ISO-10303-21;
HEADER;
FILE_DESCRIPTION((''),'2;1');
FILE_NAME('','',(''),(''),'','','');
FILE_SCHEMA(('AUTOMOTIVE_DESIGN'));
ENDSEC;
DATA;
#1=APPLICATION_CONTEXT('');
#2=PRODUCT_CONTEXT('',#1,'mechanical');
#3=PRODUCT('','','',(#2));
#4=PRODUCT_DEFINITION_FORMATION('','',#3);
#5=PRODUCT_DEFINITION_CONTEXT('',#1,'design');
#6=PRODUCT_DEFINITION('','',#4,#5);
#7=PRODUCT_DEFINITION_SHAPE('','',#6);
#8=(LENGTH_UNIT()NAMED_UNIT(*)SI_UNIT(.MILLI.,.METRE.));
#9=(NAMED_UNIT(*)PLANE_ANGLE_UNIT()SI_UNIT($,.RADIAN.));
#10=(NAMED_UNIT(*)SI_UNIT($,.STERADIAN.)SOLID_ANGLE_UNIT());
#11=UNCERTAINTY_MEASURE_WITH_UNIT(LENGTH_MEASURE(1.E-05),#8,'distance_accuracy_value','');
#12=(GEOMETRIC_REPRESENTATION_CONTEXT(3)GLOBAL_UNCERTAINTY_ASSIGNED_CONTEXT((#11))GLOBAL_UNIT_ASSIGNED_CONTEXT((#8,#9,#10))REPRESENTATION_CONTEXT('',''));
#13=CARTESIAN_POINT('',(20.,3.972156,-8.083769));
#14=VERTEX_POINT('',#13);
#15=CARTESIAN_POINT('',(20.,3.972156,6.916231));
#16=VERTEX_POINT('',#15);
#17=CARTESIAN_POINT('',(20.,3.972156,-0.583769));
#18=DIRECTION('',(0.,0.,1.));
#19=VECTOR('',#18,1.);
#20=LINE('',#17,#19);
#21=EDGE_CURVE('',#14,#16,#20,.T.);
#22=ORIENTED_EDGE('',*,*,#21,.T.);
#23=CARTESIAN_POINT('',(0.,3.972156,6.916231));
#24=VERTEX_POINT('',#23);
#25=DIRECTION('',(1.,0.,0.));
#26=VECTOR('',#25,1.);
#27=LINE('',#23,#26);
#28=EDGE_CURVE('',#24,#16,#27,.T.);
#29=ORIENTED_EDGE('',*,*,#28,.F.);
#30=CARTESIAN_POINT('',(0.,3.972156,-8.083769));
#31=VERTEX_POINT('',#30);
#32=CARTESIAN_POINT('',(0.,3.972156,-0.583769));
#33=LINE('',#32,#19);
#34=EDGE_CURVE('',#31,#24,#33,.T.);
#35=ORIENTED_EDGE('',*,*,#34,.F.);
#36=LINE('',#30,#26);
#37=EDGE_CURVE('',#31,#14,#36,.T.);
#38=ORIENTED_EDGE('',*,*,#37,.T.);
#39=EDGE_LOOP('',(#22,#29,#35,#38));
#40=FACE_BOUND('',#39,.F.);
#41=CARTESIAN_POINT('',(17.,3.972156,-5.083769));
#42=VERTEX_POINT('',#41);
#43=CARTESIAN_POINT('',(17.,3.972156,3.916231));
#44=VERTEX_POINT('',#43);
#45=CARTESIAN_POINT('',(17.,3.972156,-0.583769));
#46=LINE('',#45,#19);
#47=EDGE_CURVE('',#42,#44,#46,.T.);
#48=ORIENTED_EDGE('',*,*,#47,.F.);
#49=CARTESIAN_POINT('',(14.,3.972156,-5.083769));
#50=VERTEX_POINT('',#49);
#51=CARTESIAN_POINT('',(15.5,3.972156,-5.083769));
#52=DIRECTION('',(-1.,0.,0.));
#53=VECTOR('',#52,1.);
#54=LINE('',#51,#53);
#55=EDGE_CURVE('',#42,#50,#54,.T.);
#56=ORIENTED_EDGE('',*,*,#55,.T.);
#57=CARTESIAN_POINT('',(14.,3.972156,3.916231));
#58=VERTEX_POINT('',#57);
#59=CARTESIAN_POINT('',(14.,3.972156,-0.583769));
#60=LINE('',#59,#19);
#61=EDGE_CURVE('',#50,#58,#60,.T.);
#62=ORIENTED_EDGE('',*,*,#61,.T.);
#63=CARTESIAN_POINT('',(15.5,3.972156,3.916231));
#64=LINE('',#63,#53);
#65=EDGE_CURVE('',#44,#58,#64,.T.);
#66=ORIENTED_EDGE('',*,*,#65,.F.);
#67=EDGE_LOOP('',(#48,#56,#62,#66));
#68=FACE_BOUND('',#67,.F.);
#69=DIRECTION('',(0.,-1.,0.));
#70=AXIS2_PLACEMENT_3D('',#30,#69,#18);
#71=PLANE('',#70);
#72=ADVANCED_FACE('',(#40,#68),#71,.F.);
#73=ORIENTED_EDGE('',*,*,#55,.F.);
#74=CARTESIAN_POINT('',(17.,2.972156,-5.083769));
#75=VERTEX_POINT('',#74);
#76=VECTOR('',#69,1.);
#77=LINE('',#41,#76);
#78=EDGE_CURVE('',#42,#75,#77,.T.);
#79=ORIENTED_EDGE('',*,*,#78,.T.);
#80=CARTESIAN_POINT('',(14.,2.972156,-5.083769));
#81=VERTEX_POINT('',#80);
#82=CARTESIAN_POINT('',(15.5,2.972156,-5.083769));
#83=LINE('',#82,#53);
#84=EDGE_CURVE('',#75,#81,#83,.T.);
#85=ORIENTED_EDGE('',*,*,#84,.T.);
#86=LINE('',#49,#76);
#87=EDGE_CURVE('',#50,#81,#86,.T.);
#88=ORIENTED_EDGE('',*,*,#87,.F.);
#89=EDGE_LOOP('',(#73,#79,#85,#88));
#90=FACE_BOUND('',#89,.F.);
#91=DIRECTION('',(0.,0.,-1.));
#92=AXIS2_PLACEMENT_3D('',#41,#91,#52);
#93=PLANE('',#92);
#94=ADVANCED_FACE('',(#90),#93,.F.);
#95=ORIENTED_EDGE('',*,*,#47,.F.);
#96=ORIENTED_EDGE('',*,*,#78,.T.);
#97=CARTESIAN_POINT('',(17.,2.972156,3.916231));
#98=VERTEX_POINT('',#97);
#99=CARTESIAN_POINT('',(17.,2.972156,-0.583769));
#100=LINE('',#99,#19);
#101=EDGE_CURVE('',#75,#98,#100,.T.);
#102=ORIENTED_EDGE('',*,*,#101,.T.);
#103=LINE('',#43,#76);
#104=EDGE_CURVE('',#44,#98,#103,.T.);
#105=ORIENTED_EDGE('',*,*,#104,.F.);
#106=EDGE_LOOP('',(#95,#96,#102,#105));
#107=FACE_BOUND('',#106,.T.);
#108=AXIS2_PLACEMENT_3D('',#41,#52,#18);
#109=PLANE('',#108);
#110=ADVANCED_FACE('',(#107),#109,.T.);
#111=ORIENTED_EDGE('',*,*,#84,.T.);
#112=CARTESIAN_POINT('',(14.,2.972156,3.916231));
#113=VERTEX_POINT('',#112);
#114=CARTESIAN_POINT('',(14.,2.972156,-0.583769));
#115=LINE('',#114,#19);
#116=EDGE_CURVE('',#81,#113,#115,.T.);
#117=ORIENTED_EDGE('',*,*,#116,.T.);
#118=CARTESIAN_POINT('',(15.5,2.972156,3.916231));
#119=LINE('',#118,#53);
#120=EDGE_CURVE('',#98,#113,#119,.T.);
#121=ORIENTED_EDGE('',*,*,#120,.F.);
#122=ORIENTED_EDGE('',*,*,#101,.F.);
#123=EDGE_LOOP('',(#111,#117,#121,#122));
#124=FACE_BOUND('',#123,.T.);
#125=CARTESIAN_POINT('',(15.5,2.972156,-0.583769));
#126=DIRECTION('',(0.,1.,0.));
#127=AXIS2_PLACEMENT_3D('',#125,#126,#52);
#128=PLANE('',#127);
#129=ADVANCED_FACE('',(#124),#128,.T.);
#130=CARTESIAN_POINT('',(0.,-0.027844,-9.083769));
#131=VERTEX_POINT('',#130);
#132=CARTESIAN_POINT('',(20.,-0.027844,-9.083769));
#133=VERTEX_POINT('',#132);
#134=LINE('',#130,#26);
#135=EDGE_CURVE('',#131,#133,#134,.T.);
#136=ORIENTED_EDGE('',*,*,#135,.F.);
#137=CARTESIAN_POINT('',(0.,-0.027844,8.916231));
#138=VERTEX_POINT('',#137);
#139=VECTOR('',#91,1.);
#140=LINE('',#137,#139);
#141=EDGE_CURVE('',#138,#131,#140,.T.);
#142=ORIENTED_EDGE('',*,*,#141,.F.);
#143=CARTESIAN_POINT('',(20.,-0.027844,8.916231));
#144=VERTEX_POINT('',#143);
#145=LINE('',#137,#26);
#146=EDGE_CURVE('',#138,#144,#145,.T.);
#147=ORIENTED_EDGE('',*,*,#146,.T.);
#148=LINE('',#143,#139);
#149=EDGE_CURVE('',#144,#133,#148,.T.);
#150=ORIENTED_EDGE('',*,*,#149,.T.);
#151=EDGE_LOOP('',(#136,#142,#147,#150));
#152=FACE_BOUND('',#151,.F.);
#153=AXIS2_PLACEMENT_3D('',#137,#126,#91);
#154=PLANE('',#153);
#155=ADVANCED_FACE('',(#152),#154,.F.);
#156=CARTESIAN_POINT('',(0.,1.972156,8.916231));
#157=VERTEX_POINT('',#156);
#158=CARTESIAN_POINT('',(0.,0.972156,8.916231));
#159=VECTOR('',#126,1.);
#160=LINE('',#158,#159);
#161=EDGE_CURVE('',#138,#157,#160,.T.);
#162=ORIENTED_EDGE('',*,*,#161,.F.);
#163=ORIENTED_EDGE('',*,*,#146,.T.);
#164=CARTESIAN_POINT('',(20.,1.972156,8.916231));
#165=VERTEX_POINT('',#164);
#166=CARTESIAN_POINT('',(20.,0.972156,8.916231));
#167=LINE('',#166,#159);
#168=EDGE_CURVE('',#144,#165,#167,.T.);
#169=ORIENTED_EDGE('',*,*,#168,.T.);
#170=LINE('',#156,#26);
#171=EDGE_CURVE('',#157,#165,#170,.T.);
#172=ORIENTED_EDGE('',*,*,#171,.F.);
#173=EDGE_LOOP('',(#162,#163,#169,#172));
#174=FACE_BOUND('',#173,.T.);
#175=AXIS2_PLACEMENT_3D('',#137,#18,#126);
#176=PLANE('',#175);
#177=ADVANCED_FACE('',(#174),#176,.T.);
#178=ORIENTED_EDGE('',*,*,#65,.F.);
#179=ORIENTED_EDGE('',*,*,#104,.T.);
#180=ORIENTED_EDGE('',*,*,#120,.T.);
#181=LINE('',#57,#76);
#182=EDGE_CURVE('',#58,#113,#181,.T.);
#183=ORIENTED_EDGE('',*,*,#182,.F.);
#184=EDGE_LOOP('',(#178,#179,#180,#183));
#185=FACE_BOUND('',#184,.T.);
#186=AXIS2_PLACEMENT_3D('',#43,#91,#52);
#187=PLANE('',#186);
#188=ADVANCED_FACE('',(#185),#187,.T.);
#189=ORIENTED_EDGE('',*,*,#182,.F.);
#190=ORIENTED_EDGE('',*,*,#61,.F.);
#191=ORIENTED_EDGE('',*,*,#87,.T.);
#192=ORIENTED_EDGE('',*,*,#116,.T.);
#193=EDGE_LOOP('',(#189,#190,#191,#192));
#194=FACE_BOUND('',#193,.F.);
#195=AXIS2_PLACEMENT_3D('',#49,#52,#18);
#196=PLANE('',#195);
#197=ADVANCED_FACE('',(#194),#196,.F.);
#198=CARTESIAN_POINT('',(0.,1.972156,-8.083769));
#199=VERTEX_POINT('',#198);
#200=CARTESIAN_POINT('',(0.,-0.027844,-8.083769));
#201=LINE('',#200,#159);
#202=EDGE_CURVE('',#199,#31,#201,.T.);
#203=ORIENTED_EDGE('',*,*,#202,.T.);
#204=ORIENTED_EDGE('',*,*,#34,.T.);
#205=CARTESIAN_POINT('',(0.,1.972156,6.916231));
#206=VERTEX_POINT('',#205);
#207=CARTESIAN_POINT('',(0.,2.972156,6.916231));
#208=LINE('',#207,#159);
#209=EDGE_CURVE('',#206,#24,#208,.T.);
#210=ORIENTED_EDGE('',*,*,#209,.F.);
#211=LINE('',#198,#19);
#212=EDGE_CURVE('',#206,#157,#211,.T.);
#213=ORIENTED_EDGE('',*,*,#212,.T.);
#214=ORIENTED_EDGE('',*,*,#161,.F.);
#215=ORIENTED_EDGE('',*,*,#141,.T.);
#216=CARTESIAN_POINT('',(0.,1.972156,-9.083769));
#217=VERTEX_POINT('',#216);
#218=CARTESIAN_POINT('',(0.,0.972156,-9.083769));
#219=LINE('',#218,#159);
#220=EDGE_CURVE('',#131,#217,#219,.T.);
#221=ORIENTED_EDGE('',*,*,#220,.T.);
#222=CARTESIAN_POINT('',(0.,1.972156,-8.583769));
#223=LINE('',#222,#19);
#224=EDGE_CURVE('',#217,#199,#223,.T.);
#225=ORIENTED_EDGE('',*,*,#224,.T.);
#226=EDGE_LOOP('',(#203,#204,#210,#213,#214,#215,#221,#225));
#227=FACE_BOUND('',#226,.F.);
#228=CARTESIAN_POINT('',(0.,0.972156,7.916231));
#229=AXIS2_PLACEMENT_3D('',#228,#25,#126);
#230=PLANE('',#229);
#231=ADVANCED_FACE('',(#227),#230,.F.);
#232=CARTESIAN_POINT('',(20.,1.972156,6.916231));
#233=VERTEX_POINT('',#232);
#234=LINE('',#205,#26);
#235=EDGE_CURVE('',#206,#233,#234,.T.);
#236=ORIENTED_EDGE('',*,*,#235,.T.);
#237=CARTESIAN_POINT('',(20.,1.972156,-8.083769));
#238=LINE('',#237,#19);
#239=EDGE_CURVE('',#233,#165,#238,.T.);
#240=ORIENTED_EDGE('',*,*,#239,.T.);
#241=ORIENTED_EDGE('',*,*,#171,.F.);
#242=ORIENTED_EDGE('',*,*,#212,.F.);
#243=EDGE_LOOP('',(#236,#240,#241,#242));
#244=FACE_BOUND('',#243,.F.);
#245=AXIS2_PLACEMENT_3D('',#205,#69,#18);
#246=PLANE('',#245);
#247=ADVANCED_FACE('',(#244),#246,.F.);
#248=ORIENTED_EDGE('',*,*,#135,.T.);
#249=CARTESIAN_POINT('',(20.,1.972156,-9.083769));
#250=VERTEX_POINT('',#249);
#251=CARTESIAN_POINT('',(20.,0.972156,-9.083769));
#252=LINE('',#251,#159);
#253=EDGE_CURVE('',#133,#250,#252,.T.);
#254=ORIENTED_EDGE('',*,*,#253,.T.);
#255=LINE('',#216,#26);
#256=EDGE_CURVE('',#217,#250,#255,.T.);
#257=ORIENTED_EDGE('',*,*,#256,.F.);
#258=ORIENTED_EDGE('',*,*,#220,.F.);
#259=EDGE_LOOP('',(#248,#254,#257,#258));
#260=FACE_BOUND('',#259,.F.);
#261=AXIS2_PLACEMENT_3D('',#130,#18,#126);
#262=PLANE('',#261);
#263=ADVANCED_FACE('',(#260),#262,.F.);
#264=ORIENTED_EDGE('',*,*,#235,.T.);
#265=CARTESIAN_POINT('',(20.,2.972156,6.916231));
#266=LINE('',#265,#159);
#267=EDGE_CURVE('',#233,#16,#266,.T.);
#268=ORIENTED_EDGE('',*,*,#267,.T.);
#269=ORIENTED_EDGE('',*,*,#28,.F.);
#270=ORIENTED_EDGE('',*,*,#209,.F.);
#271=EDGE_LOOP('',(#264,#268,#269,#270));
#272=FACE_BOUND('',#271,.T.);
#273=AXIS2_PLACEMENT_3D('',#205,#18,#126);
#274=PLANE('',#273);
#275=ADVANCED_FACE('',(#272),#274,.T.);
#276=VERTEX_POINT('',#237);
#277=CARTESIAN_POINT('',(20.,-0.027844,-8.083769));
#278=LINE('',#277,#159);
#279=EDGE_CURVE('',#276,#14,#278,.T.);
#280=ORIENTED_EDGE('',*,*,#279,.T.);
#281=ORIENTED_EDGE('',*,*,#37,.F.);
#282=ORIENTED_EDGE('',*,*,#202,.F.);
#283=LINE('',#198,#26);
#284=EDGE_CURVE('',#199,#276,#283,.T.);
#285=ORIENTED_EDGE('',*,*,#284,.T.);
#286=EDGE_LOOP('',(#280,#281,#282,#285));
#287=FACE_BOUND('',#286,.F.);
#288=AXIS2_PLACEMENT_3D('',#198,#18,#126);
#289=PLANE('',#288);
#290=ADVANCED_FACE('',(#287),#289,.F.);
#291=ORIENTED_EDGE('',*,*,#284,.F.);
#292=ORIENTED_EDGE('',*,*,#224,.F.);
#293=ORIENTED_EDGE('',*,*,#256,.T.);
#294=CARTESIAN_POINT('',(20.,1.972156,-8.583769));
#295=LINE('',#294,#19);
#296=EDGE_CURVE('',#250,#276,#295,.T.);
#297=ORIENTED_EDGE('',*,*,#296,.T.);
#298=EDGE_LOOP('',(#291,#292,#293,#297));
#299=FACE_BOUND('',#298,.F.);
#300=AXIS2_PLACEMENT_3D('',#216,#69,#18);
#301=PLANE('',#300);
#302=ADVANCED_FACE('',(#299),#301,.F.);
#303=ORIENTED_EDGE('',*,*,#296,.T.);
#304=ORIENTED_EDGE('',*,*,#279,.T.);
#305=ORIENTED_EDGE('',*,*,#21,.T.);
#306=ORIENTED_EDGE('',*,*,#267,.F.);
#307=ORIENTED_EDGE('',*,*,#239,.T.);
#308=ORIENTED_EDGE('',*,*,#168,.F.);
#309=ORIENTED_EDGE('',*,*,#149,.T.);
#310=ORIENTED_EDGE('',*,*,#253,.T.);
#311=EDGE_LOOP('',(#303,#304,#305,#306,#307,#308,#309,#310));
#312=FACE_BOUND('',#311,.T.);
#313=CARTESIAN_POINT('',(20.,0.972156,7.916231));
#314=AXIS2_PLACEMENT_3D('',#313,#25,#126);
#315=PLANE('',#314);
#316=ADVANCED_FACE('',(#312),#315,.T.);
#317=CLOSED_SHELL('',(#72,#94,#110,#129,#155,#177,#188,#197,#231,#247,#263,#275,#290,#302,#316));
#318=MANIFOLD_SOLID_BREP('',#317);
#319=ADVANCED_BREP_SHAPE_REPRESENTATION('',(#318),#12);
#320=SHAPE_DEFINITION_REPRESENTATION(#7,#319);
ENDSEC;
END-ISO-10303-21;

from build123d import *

# Parameters (mm, degrees)
F0_W     = 2
F0_H     = 2
F0_H_2   = 15
F0_H_3   = 1
F1_DEPTH = 20
F2_W     = 3
F2_H     = 9
F3_DEPTH = 1


with BuildPart() as f1:
    # F0 (on Right) → F1 (new body)
    with BuildSketch(Plane.YZ):
        with Locations((0.972156, 7.916231)):
            Rectangle(F0_W, F0_H)
        with Locations((0.972156, -0.583769)):
            Rectangle(F0_W, F0_H_2)
        with Locations((2.972156, -0.583769)):
            Rectangle(F0_W, F0_H_2)
        with Locations((0.972156, -8.583769)):
            Rectangle(F0_W, F0_H_3)
    extrude(amount=F1_DEPTH)

    # F2 (on face) → F3 (cut)
    with BuildSketch(Plane(origin=(0, 3.972156, 0), x_dir=(-1, 0, 0), z_dir=(0, 1, 0))):
        with Locations((-15.5, -0.583769)):
            Rectangle(F2_W, F2_H)
    extrude(amount=-F3_DEPTH, mode=Mode.SUBTRACT)


solid = f1.part
